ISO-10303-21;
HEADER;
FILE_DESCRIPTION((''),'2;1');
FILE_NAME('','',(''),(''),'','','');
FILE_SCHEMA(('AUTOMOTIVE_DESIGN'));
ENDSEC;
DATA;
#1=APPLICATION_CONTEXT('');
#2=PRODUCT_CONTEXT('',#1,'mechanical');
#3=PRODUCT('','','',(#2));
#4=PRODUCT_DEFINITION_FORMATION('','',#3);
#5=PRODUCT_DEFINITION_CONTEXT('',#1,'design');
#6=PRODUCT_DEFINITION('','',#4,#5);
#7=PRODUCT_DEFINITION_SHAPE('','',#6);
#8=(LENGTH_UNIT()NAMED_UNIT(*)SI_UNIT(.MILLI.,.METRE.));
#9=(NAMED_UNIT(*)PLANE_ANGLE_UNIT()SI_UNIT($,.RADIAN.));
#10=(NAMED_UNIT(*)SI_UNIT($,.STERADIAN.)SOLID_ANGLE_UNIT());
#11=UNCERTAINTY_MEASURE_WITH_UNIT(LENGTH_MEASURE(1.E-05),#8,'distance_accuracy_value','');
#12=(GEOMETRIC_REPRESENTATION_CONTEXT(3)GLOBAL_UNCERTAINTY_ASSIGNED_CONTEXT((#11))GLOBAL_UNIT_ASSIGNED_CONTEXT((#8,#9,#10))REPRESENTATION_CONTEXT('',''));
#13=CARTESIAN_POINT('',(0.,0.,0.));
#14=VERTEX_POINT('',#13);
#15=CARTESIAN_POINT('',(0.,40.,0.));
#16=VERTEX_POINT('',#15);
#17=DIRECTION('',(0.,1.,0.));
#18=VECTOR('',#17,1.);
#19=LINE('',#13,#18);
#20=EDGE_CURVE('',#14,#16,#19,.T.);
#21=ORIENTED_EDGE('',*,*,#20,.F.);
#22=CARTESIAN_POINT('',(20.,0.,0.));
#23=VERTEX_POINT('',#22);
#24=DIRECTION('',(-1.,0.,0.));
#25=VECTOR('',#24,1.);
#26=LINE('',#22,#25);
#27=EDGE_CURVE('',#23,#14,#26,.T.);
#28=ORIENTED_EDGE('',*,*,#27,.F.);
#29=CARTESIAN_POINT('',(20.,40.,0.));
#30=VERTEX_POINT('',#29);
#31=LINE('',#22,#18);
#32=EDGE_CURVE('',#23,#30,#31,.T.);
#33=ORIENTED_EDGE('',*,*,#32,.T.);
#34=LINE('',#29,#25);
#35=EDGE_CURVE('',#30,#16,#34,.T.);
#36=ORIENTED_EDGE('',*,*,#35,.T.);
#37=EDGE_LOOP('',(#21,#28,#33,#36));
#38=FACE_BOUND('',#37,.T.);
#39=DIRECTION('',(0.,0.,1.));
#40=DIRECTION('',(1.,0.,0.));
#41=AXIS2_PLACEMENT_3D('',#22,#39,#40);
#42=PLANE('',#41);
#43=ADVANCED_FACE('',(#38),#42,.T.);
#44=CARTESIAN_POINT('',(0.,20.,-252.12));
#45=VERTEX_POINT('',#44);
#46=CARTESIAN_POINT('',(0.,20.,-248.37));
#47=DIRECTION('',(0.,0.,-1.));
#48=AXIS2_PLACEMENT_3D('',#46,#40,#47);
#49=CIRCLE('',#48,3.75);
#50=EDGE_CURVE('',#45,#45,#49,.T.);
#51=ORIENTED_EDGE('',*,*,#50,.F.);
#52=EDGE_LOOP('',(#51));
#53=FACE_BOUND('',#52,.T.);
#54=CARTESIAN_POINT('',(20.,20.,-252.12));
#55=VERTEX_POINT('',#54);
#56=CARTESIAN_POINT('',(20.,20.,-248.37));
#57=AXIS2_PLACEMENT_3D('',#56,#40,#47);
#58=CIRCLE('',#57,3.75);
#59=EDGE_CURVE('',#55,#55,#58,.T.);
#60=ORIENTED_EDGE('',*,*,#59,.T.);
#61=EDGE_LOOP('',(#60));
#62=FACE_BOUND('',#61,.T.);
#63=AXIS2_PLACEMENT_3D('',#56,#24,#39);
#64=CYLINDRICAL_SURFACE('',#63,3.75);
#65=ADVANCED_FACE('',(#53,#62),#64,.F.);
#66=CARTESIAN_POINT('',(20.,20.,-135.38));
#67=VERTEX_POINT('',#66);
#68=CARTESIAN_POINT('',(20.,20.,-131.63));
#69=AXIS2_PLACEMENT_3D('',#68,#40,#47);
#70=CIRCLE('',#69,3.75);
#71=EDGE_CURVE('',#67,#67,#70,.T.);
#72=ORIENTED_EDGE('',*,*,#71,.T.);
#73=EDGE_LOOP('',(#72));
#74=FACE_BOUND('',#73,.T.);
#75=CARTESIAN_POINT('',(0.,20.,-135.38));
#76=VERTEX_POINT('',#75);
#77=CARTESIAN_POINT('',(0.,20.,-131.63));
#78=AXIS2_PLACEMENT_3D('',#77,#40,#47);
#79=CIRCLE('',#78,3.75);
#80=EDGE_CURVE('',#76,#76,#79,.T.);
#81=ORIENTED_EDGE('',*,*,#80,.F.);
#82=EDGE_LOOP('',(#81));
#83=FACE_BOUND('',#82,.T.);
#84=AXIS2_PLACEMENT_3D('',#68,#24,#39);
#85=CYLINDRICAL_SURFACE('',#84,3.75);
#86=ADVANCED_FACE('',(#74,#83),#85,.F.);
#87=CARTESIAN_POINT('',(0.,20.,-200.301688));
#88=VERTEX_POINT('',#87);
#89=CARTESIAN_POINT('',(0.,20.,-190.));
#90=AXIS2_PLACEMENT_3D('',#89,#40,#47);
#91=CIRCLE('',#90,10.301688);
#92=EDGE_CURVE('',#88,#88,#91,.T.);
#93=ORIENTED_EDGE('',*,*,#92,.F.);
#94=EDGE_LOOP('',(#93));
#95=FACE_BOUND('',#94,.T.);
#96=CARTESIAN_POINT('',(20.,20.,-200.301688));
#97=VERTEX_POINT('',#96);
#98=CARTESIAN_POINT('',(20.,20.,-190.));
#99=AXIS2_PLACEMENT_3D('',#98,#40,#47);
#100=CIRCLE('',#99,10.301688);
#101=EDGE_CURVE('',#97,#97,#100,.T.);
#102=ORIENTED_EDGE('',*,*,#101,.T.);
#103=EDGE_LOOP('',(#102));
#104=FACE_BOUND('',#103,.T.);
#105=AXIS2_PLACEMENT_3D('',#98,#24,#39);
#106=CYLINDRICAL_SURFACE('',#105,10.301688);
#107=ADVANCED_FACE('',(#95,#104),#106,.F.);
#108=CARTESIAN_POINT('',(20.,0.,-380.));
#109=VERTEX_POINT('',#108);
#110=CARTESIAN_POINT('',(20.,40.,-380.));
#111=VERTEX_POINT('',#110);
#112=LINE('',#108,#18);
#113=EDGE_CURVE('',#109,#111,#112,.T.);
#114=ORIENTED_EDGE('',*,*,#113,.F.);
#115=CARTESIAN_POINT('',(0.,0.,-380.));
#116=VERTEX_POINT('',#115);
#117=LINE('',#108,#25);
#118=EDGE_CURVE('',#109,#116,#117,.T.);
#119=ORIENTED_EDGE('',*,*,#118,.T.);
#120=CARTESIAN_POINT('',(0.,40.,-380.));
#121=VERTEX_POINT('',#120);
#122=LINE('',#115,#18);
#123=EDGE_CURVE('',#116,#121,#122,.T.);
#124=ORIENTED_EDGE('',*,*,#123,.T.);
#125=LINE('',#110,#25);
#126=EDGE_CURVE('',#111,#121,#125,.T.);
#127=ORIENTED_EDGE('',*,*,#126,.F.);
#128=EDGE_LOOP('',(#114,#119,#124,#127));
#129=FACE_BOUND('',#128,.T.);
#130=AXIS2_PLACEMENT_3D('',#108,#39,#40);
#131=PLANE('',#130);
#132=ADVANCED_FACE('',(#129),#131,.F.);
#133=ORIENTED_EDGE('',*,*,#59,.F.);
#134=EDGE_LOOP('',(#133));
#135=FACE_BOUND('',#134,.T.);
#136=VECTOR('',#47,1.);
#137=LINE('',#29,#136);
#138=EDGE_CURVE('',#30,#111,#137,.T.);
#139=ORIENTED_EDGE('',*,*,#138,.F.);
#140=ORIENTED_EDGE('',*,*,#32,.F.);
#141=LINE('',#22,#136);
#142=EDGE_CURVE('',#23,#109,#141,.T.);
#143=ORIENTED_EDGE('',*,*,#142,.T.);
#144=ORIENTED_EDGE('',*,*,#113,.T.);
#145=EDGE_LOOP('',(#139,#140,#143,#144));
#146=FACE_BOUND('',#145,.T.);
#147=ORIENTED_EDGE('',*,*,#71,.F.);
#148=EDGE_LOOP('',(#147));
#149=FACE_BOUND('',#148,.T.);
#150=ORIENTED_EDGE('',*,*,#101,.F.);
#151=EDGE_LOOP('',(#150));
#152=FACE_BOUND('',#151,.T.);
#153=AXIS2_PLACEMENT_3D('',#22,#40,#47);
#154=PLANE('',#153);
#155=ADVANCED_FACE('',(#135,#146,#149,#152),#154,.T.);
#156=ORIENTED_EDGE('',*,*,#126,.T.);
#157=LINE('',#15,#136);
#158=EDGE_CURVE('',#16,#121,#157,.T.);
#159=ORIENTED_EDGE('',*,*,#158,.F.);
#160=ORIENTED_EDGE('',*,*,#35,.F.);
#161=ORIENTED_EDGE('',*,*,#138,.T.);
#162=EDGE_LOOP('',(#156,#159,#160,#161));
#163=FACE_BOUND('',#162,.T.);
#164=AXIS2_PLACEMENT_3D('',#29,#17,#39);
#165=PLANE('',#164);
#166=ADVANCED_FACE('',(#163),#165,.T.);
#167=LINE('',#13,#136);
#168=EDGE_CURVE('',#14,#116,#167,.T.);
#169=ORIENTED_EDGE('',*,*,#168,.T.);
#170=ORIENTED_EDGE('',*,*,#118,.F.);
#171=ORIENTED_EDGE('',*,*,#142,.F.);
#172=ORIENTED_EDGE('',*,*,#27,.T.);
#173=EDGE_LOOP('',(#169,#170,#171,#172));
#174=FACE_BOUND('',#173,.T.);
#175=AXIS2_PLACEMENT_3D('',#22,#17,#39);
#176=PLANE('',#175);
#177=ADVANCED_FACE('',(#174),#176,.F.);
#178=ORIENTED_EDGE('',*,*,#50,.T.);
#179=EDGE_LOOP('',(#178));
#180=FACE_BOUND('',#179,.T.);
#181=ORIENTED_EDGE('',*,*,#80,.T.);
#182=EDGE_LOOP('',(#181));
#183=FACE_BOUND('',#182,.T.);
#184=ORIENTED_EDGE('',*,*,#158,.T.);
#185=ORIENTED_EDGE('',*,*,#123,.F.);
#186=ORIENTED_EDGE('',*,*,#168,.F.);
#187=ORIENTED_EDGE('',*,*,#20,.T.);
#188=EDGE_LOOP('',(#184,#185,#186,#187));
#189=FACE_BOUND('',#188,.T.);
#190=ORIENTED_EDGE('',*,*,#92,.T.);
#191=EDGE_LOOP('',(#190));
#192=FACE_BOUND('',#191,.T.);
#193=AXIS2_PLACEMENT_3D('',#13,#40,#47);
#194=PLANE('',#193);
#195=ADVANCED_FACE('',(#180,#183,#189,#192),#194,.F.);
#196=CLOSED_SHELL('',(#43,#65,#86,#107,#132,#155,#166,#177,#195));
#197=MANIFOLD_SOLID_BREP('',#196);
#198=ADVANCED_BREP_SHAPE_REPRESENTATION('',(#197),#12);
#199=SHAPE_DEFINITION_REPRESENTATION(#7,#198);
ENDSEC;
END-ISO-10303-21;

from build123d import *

# Parameters (mm, degrees)
SKETCH2_W           = 380
SKETCH2_H           = 40
SKETCH2_R           = 10.301688299
SKETCH2_R_2         = 3.75
BOSS_EXTRUDE2_DEPTH = 20


with BuildPart() as part:
    # Sketch2 → Boss-Extrude2 (new body)
    with BuildSketch(Plane(origin=(0, 0, 0), x_dir=(0, 0, -1), z_dir=(1, 0, 0))):
        with Locations((190, 20)):
            Rectangle(SKETCH2_W, SKETCH2_H)
        with Locations((190, 20)):
            Circle(SKETCH2_R, mode=Mode.SUBTRACT)
        with Locations((131.63, 20)):
            Circle(SKETCH2_R_2, mode=Mode.SUBTRACT)
        with Locations((248.37, 20)):
            Circle(SKETCH2_R_2, mode=Mode.SUBTRACT)
    extrude(amount=BOSS_EXTRUDE2_DEPTH)


solid = part.part
